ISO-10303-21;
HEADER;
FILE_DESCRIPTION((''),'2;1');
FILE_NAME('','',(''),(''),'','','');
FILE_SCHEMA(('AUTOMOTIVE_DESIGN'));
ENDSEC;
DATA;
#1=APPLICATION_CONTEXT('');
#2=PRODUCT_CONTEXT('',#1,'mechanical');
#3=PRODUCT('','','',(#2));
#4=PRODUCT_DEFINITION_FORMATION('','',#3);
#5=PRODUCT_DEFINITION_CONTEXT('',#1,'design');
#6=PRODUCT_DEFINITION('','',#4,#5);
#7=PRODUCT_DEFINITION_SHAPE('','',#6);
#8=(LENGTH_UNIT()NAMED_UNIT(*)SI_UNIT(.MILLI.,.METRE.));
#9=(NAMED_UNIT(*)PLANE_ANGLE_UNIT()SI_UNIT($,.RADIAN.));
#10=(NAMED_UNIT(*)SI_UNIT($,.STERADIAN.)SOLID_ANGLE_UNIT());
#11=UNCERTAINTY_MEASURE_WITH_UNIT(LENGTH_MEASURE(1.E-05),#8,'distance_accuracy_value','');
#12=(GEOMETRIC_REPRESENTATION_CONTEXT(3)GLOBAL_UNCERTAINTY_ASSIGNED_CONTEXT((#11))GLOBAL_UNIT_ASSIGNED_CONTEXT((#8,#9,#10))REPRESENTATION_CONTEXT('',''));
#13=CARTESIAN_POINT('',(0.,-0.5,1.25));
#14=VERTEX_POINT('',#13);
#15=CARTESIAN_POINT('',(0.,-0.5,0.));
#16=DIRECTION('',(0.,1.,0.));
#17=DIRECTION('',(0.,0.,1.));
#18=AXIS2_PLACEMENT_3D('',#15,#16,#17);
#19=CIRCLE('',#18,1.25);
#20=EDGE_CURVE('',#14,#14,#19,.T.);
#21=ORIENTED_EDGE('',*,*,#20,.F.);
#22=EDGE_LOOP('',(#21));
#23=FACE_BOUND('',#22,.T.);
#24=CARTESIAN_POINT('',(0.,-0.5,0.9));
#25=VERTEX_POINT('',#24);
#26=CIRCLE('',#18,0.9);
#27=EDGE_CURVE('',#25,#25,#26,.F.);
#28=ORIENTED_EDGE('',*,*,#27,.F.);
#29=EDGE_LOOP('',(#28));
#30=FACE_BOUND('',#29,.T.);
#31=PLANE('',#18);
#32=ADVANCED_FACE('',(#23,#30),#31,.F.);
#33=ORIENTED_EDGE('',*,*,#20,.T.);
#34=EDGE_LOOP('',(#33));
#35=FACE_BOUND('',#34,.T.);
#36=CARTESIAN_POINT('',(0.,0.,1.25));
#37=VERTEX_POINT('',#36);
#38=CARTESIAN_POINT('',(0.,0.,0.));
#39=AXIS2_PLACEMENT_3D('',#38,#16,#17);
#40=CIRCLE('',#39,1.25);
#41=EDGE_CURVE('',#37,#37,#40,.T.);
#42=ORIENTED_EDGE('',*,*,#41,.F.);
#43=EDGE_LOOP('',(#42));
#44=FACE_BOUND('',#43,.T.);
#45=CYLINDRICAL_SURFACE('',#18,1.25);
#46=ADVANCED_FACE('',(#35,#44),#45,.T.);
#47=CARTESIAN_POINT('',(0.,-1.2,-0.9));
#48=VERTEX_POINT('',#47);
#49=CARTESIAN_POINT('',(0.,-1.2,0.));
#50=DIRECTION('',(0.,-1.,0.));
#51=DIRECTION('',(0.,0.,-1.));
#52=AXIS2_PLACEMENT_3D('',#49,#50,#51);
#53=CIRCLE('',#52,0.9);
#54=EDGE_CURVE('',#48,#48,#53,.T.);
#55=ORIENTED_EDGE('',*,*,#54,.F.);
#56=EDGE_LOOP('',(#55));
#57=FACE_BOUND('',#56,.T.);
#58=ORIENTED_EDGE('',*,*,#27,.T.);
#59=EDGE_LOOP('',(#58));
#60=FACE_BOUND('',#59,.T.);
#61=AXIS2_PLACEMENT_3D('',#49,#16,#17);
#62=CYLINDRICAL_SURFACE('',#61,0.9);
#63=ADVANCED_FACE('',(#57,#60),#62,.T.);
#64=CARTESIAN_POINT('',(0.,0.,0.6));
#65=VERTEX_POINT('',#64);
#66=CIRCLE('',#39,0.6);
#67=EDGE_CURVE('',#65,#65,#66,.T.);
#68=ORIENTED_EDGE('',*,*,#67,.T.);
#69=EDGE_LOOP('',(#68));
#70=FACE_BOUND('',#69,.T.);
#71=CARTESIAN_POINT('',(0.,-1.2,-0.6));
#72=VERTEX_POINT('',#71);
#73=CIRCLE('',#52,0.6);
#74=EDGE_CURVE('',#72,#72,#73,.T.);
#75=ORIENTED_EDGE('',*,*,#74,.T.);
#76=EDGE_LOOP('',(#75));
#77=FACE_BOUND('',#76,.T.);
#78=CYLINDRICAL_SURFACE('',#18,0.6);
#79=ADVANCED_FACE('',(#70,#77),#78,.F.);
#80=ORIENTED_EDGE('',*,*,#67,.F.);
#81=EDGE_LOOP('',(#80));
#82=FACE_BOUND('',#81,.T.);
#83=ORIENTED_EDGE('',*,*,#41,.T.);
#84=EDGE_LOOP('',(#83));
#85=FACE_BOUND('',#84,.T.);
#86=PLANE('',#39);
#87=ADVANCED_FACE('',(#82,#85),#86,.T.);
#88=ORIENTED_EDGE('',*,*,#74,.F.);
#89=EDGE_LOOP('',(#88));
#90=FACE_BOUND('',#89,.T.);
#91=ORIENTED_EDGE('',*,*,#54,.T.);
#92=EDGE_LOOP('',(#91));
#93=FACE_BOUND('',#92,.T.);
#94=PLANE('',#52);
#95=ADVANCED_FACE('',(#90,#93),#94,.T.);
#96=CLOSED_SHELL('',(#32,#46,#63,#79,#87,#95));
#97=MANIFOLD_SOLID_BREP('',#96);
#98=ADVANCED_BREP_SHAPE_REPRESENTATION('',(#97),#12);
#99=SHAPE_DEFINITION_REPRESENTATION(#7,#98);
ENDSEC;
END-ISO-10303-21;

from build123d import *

# Parameters (mm, degrees)
SKETCH1_R           = 1.25
SKETCH1_R_2         = 0.6
BOSS_EXTRUDE1_DEPTH = 0.5
SKETCH2_R           = 0.9
SKETCH2_R_2         = 0.6
BOSS_EXTRUDE2_DEPTH = 0.7


with BuildPart() as part:
    # Sketch1 → Boss-Extrude1 (new body)
    with BuildSketch(Plane(origin=(0, 0, 0), x_dir=(1, 0, 0), z_dir=(0, 1, 0))):
        with Locations(Location((0, 0, 0), (0, 0, 270))):
            Circle(SKETCH1_R)
        with Locations(Location((0, 0, 0), (0, 0, 270))):
            Circle(SKETCH1_R_2, mode=Mode.SUBTRACT)
    extrude(amount=-BOSS_EXTRUDE1_DEPTH)

    # Sketch2 → Boss-Extrude2 (add)
    with BuildSketch(Plane.XZ.offset(0.5)):
        with Locations(Location((0, 0, 0), (0, 0, 90))):
            Circle(SKETCH2_R)
        with Locations(Location((0, 0, 0), (0, 0, 90))):
            Circle(SKETCH2_R_2, mode=Mode.SUBTRACT)
    extrude(amount=BOSS_EXTRUDE2_DEPTH)


solid = part.part
